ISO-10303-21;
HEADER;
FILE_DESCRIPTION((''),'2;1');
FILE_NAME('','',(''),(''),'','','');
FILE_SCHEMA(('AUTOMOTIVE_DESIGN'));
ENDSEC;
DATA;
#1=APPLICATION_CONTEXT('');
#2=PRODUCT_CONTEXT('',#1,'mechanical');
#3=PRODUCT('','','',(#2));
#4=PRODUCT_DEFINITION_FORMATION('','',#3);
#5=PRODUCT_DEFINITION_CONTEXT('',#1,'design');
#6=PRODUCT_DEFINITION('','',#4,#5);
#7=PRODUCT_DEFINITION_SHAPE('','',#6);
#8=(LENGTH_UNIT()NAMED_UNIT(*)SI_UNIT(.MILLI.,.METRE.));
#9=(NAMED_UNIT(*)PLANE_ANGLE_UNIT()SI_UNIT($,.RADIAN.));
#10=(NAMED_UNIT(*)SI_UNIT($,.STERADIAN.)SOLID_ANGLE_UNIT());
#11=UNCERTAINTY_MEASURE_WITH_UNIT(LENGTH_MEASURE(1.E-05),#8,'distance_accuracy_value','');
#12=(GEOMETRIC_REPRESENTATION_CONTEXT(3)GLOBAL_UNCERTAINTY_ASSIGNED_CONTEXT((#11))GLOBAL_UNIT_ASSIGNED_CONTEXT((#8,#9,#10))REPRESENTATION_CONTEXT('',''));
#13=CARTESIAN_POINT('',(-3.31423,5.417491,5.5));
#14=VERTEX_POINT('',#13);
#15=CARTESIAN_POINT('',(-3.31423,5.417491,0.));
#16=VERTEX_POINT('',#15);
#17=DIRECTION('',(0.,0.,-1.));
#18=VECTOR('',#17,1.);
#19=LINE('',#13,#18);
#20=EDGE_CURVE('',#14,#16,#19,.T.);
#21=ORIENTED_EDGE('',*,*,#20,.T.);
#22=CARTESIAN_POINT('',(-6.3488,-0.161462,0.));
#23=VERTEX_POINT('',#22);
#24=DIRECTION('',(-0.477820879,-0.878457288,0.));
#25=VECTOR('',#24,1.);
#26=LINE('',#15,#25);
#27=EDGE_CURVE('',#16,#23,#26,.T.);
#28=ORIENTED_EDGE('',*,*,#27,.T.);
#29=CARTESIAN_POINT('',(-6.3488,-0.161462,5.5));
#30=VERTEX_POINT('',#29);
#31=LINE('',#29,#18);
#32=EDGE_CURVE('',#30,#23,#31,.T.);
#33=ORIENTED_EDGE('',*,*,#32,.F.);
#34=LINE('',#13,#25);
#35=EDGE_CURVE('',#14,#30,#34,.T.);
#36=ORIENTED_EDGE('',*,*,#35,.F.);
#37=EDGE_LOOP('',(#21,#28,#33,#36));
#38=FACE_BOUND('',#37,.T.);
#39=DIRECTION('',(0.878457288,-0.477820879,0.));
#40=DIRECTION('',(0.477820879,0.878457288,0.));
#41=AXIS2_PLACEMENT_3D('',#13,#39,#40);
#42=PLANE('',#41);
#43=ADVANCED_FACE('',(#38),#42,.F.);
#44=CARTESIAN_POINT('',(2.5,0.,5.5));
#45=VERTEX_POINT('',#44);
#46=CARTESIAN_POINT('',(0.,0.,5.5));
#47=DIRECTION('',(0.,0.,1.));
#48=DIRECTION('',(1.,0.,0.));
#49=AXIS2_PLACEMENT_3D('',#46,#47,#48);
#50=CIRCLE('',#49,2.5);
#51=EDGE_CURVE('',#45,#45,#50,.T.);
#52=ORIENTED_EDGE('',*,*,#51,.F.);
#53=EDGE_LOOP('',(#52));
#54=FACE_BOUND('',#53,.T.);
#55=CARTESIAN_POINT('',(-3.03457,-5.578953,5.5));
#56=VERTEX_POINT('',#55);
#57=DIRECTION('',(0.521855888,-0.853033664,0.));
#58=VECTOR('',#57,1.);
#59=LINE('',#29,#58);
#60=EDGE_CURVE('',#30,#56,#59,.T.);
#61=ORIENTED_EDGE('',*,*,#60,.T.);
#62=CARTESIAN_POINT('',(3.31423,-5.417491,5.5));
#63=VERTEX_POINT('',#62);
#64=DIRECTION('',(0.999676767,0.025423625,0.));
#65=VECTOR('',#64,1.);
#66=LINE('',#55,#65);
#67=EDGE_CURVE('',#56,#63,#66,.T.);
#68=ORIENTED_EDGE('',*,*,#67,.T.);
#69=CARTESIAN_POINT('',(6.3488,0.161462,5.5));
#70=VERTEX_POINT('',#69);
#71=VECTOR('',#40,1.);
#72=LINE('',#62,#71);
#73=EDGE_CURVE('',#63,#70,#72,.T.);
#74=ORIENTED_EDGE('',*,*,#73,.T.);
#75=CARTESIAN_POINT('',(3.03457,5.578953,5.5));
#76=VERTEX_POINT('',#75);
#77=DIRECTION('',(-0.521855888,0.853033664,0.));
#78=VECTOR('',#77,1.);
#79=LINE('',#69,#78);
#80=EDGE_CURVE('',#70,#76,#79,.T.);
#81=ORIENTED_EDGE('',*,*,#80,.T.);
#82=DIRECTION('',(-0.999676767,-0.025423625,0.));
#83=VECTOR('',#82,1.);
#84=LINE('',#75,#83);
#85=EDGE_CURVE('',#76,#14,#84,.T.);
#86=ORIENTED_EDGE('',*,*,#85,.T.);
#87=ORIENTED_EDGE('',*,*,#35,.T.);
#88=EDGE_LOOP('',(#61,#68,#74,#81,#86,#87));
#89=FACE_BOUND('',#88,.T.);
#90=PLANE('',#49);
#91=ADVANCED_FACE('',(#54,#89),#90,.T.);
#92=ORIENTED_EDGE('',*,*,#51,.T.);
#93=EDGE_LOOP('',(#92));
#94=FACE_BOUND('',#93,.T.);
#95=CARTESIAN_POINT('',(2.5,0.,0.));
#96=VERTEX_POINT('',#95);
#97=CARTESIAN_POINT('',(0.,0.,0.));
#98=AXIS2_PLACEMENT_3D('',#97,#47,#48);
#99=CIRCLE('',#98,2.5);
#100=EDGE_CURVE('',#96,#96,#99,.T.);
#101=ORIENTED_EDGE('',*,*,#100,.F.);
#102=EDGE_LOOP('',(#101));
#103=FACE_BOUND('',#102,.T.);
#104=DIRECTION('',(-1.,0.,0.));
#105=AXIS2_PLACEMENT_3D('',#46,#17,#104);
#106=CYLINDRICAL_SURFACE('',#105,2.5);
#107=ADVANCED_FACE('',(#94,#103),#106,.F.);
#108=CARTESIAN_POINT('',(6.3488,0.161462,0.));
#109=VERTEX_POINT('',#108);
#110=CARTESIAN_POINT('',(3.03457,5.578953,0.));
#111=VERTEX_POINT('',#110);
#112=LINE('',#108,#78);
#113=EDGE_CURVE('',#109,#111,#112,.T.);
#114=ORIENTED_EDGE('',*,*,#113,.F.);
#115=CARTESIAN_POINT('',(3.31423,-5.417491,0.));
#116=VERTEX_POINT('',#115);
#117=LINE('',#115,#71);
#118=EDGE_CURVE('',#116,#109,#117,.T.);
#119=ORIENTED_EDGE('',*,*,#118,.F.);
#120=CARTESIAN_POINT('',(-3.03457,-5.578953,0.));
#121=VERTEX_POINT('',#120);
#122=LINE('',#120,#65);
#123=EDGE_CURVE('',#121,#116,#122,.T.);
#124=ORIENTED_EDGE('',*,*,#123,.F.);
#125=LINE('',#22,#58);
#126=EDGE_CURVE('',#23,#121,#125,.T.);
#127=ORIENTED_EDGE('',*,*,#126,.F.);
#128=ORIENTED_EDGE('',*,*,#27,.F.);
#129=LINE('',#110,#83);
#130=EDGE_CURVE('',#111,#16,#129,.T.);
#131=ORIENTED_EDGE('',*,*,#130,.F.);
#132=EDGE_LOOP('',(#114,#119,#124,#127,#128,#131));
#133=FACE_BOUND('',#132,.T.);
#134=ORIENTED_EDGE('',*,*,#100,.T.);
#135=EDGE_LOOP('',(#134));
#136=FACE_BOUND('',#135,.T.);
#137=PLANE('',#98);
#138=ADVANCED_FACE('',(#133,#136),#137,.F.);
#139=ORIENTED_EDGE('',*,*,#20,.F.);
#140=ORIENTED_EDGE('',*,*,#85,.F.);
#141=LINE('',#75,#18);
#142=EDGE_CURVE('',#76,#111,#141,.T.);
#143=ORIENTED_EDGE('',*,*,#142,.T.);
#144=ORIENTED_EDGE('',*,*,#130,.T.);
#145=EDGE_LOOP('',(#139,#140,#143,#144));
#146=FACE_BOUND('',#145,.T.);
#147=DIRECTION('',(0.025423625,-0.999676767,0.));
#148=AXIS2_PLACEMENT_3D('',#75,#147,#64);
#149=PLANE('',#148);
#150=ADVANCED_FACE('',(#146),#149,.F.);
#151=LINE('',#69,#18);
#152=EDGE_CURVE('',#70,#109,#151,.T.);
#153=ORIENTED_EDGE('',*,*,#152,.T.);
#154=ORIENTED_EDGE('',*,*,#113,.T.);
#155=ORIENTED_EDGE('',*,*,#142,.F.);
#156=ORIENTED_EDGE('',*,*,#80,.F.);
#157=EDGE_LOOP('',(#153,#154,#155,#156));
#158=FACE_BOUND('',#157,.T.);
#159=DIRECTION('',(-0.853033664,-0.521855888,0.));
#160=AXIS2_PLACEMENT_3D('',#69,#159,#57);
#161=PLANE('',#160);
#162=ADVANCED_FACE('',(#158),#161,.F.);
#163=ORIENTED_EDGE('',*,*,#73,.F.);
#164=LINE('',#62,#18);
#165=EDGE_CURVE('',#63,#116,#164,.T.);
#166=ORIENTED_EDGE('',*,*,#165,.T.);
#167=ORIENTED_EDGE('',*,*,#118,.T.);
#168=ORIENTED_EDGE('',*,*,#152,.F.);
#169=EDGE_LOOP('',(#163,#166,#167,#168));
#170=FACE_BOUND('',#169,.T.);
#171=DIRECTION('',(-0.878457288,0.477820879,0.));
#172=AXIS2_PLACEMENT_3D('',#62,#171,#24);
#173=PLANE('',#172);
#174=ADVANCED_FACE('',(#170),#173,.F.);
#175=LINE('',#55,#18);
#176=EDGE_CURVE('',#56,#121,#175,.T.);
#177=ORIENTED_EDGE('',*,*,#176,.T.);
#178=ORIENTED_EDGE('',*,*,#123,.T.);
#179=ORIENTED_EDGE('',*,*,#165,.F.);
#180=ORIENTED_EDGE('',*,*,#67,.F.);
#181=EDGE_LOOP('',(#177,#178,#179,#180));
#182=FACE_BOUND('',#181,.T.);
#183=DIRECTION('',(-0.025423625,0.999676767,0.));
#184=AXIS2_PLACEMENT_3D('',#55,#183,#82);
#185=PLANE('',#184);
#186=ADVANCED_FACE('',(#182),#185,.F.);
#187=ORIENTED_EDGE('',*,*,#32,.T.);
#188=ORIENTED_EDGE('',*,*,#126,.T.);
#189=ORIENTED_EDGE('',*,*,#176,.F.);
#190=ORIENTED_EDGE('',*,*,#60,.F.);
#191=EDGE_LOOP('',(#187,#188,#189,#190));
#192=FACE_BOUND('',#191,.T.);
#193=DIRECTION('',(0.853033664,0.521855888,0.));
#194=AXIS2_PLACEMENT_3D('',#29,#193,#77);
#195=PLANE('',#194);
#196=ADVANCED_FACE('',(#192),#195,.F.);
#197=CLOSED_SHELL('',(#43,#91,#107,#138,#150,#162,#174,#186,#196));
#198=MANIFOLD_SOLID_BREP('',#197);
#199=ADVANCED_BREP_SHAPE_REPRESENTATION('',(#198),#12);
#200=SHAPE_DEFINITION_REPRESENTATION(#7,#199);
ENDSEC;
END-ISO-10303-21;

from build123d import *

# Parameters (mm, degrees)
CROQUIS1_R              = 2.5
SALIENTE_EXTRUIR1_DEPTH = 5.5


with BuildPart() as part:
    # Croquis1 → Saliente-Extruir1 (new body)
    with BuildSketch(Plane.XY):
        Polygon((3.314230015, -5.41749137), (6.348800158, 0.161461702), (3.034570144, 5.578953072), (-3.314230015, 5.41749137), (-6.348800158, -0.161461702), (-3.034570144, -5.578953072), align=None)
        Circle(CROQUIS1_R, mode=Mode.SUBTRACT)
    extrude(amount=SALIENTE_EXTRUIR1_DEPTH)


solid = part.part
